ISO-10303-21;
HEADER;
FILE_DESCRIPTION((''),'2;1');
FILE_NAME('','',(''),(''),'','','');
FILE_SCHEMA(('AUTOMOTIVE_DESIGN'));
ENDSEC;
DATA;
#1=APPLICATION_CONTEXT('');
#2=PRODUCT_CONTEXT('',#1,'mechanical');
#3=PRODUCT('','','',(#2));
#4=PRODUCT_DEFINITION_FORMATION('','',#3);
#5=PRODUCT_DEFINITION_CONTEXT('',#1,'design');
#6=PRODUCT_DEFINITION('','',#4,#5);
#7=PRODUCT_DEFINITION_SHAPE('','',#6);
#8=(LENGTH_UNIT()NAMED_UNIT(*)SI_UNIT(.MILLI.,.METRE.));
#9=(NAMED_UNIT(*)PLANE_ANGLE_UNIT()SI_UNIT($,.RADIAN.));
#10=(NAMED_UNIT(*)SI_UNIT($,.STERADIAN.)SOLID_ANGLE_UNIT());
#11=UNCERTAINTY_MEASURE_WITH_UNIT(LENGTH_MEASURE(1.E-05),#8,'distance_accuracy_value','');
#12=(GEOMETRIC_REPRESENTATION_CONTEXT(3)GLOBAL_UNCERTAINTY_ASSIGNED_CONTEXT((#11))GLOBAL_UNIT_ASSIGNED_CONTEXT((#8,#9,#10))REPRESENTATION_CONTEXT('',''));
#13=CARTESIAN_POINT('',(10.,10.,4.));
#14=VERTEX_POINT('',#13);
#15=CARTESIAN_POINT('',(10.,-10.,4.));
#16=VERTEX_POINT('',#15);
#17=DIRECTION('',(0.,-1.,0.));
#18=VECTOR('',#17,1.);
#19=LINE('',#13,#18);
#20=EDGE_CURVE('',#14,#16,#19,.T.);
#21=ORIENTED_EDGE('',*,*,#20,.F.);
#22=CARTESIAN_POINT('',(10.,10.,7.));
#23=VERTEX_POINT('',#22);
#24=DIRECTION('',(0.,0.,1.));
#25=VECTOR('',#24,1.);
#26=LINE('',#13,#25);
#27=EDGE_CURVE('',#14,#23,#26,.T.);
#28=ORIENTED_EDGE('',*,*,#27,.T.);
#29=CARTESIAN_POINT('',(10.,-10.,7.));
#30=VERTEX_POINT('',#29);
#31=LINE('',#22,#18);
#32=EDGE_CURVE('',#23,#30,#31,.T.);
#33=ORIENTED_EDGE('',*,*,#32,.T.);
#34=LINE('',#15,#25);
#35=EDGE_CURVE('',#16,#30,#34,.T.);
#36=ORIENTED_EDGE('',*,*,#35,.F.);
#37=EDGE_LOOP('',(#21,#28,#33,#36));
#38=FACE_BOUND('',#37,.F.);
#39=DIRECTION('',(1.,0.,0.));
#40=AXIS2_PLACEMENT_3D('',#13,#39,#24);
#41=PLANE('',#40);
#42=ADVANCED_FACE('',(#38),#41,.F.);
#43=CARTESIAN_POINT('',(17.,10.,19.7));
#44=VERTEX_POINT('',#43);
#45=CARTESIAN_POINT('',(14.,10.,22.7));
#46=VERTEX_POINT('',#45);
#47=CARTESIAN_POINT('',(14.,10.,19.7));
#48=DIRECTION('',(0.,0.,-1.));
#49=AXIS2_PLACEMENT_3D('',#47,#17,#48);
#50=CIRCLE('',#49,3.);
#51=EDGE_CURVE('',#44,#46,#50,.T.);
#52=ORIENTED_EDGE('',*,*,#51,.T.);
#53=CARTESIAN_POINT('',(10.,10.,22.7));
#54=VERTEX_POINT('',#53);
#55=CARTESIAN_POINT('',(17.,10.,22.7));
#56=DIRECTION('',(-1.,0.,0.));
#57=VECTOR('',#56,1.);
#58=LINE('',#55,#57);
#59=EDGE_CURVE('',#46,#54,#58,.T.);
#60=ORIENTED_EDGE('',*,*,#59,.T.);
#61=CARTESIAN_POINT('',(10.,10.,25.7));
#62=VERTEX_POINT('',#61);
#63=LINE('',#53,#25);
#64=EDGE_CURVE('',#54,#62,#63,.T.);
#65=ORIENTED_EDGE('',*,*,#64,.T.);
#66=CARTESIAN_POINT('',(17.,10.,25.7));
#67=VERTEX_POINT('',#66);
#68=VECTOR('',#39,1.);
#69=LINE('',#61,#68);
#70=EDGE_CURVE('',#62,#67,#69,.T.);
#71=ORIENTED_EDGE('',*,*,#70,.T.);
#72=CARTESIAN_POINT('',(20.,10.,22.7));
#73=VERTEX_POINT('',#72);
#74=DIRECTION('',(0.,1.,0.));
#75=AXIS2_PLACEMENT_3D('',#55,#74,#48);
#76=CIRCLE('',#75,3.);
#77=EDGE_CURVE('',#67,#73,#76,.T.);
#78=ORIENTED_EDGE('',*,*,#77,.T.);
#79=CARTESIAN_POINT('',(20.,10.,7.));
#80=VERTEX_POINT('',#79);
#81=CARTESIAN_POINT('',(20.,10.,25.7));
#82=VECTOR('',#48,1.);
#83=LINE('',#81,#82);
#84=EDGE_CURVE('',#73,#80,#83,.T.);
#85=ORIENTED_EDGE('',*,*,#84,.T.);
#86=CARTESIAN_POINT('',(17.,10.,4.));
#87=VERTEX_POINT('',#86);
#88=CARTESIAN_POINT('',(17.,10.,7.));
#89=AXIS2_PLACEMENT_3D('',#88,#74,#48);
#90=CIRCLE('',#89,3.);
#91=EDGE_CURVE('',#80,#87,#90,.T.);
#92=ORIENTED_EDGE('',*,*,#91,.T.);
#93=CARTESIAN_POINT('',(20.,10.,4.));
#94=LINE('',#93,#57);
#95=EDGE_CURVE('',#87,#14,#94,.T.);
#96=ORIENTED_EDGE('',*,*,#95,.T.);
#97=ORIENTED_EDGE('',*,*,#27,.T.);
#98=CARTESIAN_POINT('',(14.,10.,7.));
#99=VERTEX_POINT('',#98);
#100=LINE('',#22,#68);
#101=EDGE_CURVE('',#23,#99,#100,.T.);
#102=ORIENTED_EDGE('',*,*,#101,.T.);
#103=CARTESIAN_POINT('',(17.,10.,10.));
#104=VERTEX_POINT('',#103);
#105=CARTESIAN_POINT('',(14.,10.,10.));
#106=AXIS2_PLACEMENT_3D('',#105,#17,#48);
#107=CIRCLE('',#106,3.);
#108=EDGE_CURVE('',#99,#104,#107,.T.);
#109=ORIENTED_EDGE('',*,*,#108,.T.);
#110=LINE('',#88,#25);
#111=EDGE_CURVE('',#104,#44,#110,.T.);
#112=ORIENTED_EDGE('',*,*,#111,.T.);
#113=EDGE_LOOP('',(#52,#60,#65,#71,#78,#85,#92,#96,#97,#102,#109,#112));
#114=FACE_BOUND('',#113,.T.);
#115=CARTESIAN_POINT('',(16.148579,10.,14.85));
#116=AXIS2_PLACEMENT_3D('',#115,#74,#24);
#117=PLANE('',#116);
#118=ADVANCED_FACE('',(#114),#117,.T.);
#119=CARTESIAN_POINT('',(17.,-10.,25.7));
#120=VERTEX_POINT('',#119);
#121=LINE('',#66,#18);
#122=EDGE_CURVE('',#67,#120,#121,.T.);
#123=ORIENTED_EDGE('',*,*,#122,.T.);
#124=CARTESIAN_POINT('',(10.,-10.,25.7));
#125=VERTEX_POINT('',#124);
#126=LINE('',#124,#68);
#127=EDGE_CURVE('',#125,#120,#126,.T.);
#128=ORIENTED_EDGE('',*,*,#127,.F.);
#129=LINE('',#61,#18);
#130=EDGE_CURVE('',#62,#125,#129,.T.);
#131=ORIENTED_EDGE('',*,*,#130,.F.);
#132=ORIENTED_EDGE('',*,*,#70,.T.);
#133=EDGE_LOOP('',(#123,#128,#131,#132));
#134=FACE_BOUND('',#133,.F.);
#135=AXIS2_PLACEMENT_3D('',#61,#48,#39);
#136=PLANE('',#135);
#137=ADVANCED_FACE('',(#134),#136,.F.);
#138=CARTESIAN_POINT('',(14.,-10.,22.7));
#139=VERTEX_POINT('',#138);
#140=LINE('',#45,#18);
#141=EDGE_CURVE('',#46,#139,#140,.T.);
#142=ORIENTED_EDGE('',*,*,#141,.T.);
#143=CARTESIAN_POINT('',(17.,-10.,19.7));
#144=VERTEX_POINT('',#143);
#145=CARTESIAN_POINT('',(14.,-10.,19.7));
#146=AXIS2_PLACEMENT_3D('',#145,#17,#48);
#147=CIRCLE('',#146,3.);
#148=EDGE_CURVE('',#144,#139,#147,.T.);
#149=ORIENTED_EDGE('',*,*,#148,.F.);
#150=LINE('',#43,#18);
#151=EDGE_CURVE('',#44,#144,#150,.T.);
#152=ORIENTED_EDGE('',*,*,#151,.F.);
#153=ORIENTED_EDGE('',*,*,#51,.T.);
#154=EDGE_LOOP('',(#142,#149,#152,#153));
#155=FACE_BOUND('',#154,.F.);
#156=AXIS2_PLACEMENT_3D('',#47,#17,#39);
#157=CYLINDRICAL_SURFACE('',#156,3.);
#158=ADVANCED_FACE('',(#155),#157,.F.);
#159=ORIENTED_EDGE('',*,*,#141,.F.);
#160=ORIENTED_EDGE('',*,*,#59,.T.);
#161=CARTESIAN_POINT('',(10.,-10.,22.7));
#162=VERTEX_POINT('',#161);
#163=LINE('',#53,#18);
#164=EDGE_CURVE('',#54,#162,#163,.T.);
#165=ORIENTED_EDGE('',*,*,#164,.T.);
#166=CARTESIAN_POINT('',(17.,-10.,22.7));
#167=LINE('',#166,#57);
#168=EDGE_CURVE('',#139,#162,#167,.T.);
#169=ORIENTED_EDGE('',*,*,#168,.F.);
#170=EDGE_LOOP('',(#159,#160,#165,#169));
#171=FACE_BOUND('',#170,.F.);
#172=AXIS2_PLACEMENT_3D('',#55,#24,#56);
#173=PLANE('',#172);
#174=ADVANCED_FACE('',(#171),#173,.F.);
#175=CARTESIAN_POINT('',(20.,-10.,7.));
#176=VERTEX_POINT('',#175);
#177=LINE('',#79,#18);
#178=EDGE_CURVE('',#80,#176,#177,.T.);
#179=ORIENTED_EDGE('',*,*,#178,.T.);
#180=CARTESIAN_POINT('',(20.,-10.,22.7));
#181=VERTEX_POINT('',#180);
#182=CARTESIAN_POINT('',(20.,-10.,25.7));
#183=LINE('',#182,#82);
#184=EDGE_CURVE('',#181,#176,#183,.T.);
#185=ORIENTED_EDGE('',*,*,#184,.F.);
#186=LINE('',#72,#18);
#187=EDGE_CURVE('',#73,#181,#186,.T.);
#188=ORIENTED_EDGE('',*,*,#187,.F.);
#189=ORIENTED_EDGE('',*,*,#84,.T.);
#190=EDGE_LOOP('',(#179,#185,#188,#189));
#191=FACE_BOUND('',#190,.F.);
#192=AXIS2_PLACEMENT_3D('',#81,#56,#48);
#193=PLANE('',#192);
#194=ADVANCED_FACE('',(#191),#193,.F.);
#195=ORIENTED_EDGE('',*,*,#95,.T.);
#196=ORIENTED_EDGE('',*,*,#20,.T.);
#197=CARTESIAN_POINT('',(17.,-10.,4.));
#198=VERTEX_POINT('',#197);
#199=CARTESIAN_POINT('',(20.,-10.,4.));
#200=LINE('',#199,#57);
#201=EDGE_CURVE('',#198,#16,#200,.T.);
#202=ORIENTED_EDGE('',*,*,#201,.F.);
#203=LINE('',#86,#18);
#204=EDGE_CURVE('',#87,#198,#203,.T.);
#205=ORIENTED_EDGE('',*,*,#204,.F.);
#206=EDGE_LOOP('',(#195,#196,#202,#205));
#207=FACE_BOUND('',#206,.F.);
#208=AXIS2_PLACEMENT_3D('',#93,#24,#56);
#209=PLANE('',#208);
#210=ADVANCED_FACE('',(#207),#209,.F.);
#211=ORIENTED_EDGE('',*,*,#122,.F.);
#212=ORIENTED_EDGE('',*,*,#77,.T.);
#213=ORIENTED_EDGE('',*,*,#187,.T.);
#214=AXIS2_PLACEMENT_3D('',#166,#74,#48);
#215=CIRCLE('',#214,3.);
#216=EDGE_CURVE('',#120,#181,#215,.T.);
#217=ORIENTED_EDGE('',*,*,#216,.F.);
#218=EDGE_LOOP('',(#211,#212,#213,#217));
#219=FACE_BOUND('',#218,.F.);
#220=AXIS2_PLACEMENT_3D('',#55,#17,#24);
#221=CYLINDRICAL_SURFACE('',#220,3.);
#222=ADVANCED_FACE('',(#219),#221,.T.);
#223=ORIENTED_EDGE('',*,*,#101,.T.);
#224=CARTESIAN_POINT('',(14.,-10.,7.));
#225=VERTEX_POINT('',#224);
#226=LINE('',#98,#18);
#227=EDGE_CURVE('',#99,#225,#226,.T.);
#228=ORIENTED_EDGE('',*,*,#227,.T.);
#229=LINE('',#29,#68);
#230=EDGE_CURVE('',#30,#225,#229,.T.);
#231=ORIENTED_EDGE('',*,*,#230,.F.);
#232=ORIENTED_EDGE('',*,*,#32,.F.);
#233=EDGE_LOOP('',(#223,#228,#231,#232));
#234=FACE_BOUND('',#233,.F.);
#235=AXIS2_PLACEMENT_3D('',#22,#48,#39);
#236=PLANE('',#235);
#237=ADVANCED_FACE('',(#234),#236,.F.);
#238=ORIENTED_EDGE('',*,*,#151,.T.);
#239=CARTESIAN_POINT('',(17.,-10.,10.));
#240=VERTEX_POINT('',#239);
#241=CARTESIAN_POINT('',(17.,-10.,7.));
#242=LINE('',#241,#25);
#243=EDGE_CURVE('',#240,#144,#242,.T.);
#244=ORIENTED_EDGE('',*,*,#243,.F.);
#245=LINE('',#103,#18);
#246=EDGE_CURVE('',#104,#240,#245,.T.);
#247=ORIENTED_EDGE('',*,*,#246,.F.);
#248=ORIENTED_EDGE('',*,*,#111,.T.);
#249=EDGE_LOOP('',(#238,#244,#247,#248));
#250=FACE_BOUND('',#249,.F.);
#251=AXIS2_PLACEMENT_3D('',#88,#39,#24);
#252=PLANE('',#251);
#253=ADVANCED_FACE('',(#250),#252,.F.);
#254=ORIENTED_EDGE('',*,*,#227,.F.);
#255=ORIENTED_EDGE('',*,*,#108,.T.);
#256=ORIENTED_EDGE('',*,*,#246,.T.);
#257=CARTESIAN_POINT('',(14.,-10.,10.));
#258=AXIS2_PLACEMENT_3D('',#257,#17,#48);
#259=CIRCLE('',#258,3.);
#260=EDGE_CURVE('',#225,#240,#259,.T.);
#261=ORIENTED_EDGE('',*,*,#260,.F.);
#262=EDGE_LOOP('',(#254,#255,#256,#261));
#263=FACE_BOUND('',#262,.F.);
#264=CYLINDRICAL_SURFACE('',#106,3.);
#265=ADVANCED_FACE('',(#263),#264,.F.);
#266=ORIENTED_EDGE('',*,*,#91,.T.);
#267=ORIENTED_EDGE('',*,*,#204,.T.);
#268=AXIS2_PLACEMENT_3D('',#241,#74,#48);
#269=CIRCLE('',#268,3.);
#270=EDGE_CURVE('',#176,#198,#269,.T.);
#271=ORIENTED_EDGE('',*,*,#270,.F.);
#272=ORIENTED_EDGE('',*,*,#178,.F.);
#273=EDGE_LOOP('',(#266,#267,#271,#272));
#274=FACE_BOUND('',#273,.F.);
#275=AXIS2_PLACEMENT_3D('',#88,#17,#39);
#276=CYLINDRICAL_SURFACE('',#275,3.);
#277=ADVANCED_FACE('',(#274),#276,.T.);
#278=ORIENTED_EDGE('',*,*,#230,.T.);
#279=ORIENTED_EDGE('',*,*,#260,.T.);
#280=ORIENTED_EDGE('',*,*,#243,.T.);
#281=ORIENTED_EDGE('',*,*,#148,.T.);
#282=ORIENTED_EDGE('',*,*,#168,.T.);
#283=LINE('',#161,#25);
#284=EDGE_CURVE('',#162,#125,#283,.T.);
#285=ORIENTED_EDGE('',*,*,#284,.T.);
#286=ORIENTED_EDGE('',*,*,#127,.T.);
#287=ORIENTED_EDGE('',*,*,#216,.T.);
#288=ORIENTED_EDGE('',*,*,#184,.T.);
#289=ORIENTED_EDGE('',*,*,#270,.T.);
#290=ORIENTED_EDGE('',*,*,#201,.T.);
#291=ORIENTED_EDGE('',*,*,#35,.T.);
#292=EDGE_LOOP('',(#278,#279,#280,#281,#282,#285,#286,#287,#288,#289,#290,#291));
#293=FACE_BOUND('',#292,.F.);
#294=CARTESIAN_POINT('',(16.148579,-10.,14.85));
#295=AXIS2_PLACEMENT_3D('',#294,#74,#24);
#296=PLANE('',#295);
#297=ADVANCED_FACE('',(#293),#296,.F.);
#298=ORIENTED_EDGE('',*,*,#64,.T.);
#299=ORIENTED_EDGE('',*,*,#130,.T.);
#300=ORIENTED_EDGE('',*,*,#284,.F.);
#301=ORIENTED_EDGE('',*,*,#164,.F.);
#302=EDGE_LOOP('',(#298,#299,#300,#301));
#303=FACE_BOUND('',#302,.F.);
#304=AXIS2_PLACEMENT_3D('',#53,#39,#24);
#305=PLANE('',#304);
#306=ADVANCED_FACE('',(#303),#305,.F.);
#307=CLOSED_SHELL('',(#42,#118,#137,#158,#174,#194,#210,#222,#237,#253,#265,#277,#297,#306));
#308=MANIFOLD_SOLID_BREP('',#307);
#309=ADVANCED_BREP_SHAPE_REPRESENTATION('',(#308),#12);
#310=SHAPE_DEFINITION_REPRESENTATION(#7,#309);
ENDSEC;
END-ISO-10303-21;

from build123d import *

# Parameters (mm, degrees)
FILLET004_R = 3
FILLET005_R = 3
FILLET006_R = 3
FILLET007_R = 3


with BuildPart() as part:
    # Sweep001: sweep along a path in Sketch008
    with BuildLine(Plane.XY) as sweep001_path:
        Line((-30, 10), (-30, -10))
    # Sketch007 → Sweep001 (sweep)
    with BuildSketch(Plane(origin=(0, 0, 0), x_dir=(-1, 0, 0), z_dir=(0, 1, 0))):
        Polygon((-10, 25.7), (-20, 25.7), (-20, 4), (-10, 4), (-10, 7), (-17, 7), (-17, 22.7), (-10, 22.7), align=None)
    sweep(path=sweep001_path.line)

    # Fillet004
    fillet004_edges = [part.edges().sort_by_distance(p)[0] for p in [
        (20, 0, 25.7),
    ]]
    fillet(fillet004_edges, radius=FILLET004_R)

    # Fillet005
    fillet005_edges = [part.edges().sort_by_distance(p)[0] for p in [
        (20, 0, 4),
    ]]
    fillet(fillet005_edges, radius=FILLET005_R)

    # Fillet006
    fillet006_edges = [part.edges().sort_by_distance(p)[0] for p in [
        (17, 0, 7),
    ]]
    fillet(fillet006_edges, radius=FILLET006_R)

    # Fillet007
    fillet007_edges = [part.edges().sort_by_distance(p)[0] for p in [
        (17, 0, 22.7),
    ]]
    fillet(fillet007_edges, radius=FILLET007_R)


solid = part.part
